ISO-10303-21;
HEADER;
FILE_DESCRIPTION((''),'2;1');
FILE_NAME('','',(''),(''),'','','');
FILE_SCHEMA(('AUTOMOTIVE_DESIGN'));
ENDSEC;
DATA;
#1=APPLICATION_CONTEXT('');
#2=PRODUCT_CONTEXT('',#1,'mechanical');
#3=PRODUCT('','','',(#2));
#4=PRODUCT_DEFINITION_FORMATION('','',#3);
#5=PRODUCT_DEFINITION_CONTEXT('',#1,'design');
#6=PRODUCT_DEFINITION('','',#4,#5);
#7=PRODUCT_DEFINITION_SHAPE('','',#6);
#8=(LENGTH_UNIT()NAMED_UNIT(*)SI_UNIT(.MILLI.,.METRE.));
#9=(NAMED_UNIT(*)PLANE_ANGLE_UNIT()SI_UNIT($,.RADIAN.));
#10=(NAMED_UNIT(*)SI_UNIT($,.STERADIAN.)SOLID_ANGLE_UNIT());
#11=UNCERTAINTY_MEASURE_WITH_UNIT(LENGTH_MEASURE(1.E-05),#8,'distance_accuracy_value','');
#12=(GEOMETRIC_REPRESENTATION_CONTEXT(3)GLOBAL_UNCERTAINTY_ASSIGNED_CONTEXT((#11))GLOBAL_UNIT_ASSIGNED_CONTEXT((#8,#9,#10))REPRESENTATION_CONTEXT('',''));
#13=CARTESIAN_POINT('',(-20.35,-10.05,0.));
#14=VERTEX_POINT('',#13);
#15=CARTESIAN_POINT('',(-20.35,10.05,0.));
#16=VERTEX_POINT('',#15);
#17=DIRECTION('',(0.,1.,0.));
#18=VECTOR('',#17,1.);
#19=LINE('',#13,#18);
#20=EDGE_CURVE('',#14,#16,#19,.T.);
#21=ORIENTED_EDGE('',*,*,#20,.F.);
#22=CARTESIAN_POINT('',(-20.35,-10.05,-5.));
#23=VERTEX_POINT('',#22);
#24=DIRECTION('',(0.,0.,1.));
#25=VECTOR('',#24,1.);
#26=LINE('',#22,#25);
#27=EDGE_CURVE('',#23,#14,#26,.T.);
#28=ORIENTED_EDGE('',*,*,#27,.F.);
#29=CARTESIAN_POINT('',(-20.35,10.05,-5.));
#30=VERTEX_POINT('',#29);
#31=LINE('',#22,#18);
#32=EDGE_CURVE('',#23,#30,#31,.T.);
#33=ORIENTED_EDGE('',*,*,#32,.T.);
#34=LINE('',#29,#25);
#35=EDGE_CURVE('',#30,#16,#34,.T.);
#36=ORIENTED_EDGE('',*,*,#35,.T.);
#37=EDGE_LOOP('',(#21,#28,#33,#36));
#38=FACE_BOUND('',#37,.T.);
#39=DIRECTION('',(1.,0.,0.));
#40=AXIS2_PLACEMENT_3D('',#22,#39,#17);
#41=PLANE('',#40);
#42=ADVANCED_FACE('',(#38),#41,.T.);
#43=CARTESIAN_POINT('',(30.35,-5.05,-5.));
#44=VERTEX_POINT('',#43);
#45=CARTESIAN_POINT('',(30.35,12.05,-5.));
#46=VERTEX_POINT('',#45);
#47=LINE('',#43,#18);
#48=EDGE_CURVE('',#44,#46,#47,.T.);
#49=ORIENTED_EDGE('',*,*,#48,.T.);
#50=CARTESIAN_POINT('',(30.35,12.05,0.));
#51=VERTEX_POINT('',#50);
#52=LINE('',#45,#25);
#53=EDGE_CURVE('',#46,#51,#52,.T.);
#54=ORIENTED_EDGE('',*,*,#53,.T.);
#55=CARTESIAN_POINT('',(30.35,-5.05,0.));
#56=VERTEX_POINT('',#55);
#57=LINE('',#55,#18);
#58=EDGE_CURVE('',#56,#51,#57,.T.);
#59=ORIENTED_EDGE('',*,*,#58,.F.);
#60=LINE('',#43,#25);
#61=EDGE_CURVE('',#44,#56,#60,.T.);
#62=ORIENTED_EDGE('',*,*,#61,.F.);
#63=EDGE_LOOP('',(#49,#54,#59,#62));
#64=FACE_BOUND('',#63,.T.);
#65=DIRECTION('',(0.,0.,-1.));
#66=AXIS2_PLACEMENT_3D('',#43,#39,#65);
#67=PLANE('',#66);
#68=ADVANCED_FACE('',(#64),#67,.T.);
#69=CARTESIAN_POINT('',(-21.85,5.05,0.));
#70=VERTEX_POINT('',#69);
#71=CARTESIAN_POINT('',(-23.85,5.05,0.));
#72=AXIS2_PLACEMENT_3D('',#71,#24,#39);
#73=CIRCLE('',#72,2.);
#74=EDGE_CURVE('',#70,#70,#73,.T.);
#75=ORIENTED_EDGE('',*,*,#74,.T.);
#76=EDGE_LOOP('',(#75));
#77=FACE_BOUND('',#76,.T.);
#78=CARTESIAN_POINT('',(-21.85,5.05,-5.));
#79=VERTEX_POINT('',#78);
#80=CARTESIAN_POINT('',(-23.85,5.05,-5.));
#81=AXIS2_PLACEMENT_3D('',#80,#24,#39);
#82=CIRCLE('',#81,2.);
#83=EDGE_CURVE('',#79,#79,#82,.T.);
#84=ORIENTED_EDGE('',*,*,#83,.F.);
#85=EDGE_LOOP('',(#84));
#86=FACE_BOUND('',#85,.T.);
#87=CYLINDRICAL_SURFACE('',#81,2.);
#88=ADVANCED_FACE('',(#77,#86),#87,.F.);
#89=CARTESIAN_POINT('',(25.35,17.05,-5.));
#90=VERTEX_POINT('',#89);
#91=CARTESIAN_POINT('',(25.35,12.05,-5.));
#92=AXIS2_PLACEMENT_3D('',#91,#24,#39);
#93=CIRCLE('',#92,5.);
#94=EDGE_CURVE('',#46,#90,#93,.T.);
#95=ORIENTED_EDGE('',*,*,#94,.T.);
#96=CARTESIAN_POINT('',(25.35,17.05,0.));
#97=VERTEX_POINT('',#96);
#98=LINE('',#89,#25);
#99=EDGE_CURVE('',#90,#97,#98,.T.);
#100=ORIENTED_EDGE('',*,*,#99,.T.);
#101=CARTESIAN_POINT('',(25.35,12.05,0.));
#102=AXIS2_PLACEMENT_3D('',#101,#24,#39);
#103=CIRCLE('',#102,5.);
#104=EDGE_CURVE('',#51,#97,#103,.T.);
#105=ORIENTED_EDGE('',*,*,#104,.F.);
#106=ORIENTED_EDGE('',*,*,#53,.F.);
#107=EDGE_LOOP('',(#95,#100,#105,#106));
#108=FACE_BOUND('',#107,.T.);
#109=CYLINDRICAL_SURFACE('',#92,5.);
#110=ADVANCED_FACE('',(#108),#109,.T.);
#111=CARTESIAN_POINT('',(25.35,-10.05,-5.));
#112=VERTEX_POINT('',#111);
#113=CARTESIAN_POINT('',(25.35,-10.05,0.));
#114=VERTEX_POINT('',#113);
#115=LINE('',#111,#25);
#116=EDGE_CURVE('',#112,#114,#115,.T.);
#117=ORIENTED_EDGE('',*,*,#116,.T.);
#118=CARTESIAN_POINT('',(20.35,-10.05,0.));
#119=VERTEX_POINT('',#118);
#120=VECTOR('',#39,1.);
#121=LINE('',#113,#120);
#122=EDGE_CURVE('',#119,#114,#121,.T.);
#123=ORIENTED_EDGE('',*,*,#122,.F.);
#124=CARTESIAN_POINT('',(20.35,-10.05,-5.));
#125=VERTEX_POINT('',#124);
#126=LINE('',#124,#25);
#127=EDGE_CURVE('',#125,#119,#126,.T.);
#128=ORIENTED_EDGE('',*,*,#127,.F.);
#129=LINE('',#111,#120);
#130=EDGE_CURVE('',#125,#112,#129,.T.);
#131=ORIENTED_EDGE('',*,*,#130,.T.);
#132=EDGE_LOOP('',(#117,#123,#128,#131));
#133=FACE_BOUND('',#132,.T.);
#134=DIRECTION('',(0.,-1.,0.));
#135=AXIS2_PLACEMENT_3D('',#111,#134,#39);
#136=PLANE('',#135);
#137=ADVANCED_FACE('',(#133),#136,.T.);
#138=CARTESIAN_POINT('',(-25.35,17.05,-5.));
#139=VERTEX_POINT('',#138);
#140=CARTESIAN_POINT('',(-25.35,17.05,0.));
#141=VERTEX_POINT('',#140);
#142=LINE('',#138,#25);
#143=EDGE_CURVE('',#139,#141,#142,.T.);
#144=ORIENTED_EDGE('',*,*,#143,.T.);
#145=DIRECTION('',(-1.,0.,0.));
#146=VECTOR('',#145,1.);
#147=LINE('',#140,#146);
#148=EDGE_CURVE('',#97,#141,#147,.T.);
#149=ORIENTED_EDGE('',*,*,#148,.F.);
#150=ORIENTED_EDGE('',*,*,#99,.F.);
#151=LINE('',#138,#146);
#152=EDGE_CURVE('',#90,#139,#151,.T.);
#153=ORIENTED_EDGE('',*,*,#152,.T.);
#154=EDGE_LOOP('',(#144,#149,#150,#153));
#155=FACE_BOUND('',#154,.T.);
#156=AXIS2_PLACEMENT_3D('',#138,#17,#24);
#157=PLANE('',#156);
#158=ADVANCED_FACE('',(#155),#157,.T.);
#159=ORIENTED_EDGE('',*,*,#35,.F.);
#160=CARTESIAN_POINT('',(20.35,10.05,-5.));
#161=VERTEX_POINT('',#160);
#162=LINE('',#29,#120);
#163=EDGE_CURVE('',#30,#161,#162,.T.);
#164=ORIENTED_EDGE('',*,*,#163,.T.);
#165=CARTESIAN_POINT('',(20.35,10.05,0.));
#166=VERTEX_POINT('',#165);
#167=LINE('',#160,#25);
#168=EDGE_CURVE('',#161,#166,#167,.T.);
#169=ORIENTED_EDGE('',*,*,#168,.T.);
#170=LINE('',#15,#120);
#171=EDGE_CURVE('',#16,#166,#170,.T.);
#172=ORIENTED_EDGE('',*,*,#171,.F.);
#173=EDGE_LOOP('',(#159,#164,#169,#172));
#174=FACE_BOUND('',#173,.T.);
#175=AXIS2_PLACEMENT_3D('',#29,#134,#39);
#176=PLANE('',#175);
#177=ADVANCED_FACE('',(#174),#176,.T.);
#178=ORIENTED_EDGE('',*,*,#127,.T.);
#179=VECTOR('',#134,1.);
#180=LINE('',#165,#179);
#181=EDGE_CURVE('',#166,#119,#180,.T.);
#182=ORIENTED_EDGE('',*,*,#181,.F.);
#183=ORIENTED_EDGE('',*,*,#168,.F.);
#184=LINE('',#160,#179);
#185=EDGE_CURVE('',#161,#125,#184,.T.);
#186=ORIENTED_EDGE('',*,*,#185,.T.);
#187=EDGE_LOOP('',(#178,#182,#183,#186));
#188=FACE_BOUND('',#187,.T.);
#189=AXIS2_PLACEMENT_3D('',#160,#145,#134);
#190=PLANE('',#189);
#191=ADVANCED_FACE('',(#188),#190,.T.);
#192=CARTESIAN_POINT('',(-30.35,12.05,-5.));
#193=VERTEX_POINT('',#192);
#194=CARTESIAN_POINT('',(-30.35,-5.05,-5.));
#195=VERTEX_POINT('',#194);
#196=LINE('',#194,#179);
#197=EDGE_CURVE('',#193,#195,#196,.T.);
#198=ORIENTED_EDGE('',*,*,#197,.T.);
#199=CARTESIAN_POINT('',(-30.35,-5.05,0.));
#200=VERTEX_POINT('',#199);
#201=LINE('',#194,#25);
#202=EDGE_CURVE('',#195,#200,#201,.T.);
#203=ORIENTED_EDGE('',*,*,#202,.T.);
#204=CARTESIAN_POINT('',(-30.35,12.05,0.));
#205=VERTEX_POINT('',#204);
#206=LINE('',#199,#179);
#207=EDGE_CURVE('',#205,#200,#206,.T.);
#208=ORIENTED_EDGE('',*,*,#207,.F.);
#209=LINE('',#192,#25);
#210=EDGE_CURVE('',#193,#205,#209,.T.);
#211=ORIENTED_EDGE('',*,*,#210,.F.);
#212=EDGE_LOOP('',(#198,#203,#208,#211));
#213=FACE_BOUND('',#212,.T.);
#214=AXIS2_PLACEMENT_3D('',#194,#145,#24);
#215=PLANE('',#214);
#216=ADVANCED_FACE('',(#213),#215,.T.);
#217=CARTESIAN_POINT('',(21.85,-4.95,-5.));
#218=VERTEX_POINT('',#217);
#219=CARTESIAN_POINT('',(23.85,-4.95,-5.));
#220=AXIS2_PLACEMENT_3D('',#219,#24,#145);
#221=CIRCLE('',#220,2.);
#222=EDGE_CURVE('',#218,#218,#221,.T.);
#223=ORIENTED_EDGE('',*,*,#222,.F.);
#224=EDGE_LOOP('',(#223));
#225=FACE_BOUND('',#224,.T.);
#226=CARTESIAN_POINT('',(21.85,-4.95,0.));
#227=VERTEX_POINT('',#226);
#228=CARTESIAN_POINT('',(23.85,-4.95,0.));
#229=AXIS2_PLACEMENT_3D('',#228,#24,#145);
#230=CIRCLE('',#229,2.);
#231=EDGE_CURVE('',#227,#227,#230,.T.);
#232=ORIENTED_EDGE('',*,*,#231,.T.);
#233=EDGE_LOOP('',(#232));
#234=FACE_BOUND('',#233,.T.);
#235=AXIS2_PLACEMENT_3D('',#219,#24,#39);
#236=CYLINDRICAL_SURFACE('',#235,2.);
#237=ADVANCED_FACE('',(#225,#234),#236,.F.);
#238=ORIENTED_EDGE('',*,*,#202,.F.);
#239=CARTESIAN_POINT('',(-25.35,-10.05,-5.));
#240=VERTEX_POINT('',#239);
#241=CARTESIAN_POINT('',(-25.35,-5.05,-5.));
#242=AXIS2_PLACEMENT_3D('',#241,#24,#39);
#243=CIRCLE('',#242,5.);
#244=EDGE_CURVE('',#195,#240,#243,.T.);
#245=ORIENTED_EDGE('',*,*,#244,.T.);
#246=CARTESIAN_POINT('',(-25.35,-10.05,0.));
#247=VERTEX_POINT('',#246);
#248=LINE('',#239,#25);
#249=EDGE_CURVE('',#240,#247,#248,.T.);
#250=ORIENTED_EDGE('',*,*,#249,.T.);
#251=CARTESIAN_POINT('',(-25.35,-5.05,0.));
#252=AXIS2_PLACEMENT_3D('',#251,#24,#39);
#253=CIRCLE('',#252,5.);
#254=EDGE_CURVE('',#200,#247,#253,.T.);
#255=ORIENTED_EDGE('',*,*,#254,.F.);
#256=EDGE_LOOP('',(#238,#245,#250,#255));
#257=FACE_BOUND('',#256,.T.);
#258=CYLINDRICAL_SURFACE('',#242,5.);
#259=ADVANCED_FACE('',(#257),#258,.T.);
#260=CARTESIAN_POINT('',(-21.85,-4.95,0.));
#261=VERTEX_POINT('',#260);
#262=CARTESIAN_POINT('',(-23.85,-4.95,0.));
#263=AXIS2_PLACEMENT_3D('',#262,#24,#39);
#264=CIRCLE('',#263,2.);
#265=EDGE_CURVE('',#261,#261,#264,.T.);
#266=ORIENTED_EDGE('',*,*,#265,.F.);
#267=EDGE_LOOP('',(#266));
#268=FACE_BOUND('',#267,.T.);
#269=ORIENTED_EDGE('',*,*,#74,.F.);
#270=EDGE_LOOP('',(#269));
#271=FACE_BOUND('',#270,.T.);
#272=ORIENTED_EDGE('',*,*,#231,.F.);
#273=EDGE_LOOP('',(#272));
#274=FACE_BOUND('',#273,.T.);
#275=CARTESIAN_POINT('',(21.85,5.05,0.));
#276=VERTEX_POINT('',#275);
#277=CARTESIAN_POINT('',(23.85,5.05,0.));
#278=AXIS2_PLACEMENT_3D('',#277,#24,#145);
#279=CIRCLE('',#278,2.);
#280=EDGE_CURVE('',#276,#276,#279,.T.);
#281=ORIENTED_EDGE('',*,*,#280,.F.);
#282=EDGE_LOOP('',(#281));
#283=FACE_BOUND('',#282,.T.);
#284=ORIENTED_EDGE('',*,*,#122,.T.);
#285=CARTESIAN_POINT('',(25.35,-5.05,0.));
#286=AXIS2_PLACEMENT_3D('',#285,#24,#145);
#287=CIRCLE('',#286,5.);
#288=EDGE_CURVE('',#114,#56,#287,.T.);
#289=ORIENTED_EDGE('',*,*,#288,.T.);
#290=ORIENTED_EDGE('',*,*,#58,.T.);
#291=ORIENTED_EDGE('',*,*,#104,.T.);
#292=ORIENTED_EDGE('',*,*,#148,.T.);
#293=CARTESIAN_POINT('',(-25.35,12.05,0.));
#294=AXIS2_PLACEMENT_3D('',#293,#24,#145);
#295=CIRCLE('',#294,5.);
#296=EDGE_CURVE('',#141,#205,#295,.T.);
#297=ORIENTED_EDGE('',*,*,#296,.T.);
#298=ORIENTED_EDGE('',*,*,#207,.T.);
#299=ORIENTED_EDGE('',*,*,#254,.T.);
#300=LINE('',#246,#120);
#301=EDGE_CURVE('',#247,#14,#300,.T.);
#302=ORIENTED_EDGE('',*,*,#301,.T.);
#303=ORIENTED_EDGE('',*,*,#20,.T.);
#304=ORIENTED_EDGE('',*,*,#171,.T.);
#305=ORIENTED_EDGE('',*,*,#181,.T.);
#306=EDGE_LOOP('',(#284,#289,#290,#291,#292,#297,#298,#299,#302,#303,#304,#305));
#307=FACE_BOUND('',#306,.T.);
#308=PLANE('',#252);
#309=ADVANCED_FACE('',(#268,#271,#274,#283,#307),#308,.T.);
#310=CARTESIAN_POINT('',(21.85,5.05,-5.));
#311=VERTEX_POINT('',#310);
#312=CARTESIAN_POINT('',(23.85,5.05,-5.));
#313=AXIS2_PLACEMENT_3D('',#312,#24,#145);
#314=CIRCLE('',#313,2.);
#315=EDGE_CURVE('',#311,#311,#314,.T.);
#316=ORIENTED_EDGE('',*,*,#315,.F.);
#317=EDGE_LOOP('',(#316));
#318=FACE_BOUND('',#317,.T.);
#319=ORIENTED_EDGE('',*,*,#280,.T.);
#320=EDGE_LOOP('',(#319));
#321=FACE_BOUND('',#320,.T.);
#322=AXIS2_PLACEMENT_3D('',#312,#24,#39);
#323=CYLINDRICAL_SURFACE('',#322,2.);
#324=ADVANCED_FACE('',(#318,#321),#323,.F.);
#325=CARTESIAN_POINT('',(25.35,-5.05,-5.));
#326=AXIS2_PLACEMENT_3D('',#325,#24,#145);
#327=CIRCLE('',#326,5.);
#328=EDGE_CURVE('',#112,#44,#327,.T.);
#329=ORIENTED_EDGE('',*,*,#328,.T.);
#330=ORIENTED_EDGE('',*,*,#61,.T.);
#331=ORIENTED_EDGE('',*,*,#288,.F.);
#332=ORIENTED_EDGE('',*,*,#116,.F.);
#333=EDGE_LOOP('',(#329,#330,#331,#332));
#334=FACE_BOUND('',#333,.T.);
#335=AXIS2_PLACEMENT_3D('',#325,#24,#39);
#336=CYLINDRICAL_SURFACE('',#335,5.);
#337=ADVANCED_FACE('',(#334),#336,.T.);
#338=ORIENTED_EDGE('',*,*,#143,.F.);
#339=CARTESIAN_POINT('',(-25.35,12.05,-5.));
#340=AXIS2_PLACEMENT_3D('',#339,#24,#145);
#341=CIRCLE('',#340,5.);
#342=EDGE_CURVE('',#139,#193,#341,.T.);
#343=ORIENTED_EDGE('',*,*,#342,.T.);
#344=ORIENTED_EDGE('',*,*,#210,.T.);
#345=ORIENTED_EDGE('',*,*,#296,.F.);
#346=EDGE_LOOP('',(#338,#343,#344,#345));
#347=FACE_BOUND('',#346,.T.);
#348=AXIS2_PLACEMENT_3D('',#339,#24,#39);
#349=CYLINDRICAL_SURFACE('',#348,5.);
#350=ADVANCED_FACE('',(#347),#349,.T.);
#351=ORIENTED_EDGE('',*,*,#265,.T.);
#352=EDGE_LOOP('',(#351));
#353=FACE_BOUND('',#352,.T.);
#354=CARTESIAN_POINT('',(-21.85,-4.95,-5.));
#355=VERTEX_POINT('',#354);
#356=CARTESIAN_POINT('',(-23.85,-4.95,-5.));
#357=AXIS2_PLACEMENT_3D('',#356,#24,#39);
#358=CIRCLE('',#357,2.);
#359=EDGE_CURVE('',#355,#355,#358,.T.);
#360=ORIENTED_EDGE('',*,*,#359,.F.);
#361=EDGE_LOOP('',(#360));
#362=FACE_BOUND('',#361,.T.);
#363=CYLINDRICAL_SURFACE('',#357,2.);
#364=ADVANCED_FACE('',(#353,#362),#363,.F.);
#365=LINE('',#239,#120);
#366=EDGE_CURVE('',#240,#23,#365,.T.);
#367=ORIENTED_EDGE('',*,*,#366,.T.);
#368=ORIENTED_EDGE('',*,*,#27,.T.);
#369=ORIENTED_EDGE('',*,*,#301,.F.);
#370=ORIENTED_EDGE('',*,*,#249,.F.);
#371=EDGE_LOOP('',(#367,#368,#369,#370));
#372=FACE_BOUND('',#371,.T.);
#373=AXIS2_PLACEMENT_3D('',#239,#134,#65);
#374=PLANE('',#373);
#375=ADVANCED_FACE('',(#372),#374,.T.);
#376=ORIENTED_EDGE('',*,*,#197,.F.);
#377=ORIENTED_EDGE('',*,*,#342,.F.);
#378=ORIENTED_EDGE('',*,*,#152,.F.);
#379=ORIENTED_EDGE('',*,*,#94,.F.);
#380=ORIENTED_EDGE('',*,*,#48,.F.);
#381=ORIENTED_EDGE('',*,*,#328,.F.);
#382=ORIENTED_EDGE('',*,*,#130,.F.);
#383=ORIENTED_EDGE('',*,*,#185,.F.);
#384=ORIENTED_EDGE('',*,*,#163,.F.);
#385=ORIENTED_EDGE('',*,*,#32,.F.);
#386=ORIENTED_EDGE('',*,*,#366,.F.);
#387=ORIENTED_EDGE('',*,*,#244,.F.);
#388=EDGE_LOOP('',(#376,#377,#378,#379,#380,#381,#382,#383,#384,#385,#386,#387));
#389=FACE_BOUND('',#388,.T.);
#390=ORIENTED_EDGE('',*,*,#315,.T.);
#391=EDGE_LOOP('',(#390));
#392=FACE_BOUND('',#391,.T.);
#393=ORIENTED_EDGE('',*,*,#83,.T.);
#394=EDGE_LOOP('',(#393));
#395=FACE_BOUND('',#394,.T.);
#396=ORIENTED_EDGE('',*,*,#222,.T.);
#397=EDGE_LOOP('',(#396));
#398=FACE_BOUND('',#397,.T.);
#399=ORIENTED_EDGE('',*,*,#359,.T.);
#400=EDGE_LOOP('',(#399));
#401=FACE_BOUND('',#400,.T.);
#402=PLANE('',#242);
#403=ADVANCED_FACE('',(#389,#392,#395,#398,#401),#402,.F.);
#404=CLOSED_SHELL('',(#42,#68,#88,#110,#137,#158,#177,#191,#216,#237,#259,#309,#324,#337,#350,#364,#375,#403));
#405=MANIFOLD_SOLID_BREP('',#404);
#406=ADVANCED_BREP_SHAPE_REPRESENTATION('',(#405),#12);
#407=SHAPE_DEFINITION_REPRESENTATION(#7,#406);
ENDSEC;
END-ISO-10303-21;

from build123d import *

# Parameters (mm, degrees)
SKETCH1_R           = 2
BOSS_EXTRUDE1_DEPTH = 5


with BuildPart() as part:
    # Sketch1 → Boss-Extrude1 (new body)
    with BuildSketch(Plane(origin=(0, 0, 0), x_dir=(0, 1, 0), z_dir=(0, 0, 1))):
        with BuildLine():
            Line((-10.05, 20.35), (10.05, 20.35))
            Line((10.05, 20.35), (10.05, -20.35))
            Line((10.05, -20.35), (-10.05, -20.35))
            Line((-10.05, -20.35), (-10.05, -25.35))
            ThreePointArc((-10.05, -25.35), (-8.585533906, -28.885533906), (-5.05, -30.35))
            Line((-5.05, -30.35), (12.05, -30.35))
            ThreePointArc((12.05, -30.35), (15.585533906, -28.885533906), (17.05, -25.35))
            Line((17.05, -25.35), (17.05, 25.35))
            ThreePointArc((17.05, 25.35), (15.585533906, 28.885533906), (12.05, 30.35))
            Line((12.05, 30.35), (-5.05, 30.35))
            ThreePointArc((-5.05, 30.35), (-8.585533906, 28.885533906), (-10.05, 25.35))
            Line((-10.05, 25.35), (-10.05, 20.35))
        make_face()
        with Locations(Location((5.05, 23.85, 0), (0, 0, 270))):
            Circle(SKETCH1_R, mode=Mode.SUBTRACT)
        with Locations(Location((-4.95, 23.85, 0), (0, 0, 270))):
            Circle(SKETCH1_R, mode=Mode.SUBTRACT)
        with Locations(Location((5.05, -23.85, 0), (0, 0, 90))):
            Circle(SKETCH1_R, mode=Mode.SUBTRACT)
        with Locations(Location((-4.95, -23.85, 0), (0, 0, 90))):
            Circle(SKETCH1_R, mode=Mode.SUBTRACT)
    extrude(amount=-BOSS_EXTRUDE1_DEPTH)


solid = part.part
